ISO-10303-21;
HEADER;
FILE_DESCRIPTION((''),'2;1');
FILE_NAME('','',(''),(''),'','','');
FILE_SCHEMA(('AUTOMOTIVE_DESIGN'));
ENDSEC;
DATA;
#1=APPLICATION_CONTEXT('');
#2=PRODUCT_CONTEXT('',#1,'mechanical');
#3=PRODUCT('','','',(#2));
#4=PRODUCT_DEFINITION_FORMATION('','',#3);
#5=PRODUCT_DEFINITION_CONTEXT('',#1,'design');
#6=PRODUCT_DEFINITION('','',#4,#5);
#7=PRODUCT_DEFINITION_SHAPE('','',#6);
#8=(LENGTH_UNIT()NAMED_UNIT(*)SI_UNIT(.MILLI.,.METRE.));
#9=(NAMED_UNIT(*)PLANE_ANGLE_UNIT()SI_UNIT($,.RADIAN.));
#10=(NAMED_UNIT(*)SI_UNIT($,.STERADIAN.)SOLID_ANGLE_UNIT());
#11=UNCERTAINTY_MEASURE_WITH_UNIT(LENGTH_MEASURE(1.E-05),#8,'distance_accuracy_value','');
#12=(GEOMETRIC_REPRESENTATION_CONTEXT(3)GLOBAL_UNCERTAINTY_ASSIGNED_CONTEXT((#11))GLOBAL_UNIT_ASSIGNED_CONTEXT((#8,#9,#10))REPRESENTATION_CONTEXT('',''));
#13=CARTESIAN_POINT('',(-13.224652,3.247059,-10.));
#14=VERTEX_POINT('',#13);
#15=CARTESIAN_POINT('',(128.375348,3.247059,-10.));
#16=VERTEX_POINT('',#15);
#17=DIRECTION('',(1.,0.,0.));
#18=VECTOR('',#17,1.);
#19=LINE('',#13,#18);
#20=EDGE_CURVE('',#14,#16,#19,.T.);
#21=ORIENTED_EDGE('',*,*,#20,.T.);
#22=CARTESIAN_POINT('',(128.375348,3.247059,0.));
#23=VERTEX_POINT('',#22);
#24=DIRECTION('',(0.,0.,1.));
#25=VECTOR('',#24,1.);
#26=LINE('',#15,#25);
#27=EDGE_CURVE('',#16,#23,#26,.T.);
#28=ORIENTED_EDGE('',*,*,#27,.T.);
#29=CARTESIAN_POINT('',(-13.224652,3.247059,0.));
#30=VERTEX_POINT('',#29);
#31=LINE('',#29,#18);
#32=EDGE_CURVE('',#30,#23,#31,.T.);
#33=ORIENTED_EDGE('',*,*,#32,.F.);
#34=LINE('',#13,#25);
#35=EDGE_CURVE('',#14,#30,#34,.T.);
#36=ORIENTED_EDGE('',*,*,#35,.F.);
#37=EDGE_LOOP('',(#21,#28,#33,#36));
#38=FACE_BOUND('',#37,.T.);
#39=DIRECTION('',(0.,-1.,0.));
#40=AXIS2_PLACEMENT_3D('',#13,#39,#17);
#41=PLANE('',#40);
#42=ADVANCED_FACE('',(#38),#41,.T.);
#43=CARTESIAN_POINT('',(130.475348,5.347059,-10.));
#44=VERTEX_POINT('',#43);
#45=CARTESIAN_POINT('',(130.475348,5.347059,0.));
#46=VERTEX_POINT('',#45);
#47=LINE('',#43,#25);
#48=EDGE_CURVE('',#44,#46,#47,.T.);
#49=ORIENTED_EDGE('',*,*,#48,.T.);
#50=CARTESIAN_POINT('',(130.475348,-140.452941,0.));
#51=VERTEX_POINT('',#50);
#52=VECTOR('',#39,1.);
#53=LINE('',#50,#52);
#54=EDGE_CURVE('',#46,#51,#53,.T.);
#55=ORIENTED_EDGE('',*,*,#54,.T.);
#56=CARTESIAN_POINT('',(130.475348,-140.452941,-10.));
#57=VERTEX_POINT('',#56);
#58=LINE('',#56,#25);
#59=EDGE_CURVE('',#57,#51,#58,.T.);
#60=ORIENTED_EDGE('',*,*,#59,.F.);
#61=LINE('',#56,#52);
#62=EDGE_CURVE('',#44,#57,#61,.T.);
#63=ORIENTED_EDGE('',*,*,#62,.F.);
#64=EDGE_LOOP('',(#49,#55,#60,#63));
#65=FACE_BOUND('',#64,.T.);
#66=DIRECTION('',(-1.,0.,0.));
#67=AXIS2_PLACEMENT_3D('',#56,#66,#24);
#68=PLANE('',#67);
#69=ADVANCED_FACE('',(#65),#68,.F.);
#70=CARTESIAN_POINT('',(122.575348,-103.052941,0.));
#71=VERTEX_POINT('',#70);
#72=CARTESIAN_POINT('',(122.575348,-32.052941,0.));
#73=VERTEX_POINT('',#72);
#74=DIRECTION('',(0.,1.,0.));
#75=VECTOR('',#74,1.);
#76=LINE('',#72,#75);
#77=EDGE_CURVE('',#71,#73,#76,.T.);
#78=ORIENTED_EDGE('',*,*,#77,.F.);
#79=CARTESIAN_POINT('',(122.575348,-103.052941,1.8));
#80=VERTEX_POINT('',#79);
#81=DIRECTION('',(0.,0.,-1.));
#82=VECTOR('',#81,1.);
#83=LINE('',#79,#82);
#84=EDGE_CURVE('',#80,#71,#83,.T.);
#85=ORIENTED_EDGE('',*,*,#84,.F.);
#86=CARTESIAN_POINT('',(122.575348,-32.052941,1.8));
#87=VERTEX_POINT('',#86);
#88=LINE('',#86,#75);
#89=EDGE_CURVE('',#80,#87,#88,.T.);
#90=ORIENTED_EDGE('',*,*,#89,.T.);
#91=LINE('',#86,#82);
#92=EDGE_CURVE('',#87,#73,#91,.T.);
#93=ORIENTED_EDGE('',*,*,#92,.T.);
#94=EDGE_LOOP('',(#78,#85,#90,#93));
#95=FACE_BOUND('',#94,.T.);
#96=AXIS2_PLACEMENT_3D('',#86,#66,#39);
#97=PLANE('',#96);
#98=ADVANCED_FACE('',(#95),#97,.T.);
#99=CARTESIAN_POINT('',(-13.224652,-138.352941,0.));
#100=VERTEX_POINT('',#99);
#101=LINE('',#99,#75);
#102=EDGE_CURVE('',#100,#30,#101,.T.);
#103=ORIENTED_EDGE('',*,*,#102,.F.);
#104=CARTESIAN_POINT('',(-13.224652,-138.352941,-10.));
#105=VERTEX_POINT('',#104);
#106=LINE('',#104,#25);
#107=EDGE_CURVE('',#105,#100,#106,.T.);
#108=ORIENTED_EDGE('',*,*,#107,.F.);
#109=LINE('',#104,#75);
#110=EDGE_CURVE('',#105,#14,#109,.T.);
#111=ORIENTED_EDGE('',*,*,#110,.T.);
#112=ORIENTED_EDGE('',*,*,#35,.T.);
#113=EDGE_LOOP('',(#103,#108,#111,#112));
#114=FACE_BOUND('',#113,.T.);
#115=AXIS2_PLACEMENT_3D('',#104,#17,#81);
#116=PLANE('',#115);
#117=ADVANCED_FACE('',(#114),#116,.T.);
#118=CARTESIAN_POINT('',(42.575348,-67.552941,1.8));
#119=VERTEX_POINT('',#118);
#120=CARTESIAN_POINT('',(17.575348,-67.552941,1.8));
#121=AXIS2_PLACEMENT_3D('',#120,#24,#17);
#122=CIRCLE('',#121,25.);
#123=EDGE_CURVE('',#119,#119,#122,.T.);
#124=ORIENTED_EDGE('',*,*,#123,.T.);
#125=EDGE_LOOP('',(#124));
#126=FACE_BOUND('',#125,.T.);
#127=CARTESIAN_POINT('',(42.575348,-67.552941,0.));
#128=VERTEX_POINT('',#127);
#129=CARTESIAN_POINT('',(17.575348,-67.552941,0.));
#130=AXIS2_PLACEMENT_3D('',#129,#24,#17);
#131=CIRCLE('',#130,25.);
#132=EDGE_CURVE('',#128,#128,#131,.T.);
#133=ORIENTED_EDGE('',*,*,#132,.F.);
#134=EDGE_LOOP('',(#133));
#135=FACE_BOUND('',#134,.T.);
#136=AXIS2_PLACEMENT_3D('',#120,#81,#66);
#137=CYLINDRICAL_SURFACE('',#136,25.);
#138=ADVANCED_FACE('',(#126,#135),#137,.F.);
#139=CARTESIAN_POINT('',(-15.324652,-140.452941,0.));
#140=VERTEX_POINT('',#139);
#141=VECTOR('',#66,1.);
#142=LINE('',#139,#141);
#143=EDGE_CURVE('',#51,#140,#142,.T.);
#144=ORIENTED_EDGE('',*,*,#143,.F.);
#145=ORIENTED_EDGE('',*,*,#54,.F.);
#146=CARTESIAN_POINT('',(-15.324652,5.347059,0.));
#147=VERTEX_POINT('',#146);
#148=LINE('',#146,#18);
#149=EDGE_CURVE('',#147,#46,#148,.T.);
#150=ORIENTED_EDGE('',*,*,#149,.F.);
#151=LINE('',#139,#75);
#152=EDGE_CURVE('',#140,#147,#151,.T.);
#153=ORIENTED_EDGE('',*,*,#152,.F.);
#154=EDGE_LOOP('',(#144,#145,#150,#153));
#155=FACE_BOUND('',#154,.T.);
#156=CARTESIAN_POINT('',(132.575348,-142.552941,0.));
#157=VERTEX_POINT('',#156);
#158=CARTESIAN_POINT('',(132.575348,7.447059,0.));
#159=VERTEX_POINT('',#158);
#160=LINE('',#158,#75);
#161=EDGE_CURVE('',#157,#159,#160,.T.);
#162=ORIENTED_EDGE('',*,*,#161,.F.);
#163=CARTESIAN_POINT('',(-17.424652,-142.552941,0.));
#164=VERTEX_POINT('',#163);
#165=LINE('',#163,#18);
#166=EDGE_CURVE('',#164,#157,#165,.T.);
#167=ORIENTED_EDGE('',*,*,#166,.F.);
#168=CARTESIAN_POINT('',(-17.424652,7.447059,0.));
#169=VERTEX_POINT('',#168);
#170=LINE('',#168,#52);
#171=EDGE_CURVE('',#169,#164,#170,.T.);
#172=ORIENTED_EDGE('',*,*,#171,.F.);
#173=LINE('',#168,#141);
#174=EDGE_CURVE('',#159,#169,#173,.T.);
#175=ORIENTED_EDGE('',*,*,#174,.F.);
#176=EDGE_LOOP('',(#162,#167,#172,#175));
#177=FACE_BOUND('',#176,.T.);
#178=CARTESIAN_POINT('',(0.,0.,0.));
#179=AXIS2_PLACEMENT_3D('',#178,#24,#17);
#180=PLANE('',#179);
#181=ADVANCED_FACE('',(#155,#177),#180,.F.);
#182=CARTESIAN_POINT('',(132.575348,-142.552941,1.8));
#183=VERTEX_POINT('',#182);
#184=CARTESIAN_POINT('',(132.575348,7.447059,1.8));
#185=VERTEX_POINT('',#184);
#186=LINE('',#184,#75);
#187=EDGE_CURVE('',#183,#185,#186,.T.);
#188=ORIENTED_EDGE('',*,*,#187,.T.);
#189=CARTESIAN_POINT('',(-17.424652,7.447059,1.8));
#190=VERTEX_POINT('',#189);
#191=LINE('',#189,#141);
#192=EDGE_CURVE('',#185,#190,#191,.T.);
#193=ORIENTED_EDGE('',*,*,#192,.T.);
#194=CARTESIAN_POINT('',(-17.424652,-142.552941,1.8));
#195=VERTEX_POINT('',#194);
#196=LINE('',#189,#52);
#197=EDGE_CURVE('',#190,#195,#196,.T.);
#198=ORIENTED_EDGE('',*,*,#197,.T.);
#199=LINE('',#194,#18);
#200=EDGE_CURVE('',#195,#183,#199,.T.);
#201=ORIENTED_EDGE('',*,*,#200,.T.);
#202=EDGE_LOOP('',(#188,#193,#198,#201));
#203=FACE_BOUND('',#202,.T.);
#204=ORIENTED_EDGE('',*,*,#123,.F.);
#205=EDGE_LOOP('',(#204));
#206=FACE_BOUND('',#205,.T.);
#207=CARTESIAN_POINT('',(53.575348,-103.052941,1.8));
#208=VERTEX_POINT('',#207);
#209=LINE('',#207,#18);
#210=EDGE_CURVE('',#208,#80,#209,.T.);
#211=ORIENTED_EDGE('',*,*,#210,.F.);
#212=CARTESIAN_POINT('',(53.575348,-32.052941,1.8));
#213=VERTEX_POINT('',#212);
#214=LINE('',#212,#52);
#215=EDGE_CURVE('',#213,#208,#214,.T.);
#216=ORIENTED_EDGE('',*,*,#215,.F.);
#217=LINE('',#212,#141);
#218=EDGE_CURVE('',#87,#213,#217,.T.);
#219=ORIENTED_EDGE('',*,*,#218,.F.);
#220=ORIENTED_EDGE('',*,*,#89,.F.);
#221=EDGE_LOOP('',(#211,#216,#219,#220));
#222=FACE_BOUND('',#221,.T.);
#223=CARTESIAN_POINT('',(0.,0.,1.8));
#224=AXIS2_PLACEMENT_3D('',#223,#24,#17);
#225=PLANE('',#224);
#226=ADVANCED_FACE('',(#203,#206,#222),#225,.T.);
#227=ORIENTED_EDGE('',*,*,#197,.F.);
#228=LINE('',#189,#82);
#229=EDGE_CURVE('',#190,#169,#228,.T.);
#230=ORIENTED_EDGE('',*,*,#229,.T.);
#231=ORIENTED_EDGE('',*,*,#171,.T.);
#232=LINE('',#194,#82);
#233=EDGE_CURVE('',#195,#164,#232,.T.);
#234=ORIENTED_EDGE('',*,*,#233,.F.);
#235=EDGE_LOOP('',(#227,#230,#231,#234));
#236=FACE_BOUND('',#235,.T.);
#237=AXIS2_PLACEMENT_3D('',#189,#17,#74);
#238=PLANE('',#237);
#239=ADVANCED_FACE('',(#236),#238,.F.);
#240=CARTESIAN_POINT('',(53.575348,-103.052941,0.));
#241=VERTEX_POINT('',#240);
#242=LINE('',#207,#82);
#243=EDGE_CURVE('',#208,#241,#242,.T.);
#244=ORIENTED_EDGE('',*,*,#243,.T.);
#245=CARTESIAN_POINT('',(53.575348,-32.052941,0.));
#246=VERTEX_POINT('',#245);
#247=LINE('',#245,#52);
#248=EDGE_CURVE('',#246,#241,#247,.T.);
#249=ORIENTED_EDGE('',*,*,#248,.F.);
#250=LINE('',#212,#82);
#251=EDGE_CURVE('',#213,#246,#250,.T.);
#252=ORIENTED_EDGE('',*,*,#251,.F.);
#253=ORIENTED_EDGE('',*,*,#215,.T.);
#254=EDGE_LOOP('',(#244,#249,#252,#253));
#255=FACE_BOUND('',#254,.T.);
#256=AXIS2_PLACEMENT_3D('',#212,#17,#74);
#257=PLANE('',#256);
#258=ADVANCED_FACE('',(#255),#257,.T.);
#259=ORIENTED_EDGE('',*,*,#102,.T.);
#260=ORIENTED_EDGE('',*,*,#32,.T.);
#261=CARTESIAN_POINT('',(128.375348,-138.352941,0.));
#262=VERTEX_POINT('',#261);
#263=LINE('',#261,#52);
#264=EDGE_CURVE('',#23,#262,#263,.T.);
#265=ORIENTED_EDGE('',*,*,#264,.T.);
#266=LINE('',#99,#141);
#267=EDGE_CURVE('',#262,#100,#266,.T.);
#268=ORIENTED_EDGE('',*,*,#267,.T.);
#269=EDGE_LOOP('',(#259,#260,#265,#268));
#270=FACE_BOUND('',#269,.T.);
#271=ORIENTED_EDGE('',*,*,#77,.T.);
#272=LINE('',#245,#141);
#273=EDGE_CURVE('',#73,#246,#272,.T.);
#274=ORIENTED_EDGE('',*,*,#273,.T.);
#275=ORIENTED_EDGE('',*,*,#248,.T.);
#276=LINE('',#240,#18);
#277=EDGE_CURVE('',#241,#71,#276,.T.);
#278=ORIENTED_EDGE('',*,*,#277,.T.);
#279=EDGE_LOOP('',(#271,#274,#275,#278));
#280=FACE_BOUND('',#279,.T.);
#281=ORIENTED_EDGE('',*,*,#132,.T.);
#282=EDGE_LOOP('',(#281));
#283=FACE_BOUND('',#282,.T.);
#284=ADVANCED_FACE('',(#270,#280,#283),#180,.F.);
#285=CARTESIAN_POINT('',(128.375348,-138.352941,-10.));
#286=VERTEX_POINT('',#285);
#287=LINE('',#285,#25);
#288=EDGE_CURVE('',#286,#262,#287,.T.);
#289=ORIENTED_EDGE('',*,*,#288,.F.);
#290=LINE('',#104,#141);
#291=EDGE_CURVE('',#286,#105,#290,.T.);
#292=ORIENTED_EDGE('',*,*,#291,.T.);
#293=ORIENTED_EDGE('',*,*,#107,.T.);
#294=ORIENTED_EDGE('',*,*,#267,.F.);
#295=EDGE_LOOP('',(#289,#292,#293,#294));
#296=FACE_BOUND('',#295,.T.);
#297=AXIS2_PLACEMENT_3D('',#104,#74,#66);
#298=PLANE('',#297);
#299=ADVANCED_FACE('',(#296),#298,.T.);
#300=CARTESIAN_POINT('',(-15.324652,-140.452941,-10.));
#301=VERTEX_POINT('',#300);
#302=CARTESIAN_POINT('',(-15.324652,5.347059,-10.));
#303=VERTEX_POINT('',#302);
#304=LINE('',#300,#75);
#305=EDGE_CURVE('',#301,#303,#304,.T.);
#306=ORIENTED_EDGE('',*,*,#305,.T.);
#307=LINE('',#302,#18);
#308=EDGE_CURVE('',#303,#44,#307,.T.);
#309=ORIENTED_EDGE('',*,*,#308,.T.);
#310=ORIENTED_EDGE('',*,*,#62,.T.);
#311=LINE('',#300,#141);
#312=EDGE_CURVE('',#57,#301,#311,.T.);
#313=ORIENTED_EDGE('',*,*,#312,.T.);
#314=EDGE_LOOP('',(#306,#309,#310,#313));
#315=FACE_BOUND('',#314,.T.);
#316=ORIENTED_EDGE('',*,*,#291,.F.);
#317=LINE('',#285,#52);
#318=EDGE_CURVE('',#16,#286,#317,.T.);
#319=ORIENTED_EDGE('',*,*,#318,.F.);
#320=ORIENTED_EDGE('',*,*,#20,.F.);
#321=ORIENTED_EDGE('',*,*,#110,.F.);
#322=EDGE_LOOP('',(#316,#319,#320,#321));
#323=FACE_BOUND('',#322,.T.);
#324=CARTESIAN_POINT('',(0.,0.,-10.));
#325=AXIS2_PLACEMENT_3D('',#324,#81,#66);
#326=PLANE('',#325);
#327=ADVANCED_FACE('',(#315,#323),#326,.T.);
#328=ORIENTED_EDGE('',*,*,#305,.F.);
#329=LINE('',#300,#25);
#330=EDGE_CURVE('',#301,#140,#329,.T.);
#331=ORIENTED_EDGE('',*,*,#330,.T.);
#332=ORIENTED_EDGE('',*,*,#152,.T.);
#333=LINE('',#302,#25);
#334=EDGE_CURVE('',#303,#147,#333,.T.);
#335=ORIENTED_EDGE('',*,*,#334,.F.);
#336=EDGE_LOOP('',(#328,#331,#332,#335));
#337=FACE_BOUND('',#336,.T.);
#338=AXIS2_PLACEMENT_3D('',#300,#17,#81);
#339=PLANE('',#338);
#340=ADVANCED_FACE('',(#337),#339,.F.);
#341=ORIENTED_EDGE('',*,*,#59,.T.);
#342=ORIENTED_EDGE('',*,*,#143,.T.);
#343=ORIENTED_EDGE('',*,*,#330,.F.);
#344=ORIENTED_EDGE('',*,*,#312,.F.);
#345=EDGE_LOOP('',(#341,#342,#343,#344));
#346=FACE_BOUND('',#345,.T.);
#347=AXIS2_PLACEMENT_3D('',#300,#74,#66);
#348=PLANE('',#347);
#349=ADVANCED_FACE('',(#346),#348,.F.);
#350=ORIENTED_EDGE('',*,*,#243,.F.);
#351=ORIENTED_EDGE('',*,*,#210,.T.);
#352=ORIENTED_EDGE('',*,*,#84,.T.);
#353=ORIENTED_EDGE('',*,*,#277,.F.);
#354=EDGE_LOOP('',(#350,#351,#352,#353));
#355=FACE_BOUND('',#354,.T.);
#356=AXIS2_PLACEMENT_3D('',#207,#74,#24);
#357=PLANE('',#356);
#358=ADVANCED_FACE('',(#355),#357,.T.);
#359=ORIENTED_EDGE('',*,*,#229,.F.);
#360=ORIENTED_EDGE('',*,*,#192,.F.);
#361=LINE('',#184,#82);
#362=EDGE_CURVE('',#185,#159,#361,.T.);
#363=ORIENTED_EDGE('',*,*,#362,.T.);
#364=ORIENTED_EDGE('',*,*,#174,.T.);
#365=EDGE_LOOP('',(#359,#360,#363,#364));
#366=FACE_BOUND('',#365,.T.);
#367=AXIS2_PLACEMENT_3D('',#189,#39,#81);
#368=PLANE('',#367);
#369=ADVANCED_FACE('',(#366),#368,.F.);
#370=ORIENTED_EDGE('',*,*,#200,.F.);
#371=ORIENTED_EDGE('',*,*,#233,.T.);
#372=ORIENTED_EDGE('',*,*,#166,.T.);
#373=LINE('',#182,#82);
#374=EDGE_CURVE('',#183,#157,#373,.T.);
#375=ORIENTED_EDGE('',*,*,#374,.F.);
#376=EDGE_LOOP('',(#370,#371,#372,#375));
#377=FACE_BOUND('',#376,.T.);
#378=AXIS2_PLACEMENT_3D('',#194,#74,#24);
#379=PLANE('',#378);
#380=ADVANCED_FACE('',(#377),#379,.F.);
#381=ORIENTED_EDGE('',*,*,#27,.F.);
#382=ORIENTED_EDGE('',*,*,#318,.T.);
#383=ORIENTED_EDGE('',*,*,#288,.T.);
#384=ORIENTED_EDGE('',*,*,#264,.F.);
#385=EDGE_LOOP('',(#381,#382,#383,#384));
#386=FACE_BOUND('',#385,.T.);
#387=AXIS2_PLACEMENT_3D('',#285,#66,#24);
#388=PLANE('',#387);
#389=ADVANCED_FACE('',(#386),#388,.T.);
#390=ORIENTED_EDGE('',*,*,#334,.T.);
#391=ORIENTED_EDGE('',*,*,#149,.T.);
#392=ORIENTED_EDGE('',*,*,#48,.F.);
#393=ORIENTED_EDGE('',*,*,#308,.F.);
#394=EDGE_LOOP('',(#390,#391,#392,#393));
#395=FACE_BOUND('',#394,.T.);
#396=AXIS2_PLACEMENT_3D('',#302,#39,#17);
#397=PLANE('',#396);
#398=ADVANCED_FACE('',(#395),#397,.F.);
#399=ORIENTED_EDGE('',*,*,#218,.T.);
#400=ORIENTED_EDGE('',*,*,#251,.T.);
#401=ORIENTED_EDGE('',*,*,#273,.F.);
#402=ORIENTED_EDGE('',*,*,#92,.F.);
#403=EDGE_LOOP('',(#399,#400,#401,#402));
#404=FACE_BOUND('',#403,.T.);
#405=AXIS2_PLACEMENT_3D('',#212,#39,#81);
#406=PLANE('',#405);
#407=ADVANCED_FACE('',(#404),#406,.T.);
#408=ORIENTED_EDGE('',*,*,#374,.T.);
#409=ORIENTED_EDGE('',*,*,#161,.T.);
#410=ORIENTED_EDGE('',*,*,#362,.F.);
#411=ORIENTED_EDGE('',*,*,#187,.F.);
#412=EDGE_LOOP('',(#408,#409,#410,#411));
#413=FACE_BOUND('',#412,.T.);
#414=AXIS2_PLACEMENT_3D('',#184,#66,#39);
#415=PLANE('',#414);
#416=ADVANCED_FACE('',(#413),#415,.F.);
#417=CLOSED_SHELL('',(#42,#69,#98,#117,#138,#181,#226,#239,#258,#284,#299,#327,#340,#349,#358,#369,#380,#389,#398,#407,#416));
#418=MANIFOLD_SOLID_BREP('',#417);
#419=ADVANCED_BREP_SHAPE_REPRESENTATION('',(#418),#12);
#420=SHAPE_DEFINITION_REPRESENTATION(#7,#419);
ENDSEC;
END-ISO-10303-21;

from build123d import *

# Parameters (mm, degrees)
CROQUIS1_W              = 150
CROQUIS1_H              = 150
CROQUIS1_R              = 25
CROQUIS1_W_2            = 69
CROQUIS1_H_2            = 71
SALIENTE_EXTRUIR1_DEPTH = 1.8
CROQUIS2_W              = 145.8
CROQUIS2_H              = 145.8
CROQUIS2_W_2            = 141.6
CROQUIS2_H_2            = 141.6
SALIENTE_EXTRUIR2_DEPTH = 10


with BuildPart() as part:
    # Croquis1 → Saliente-Extruir1 (new body)
    with BuildSketch(Plane.XY):
        with Locations((57.57534771, -67.552941176)):
            Rectangle(CROQUIS1_W, CROQUIS1_H)
        with Locations((17.57534771, -67.552941176)):
            Circle(CROQUIS1_R, mode=Mode.SUBTRACT)
        with Locations((88.07534771, -67.552941176)):
            Rectangle(CROQUIS1_W_2, CROQUIS1_H_2, mode=Mode.SUBTRACT)
    extrude(amount=SALIENTE_EXTRUIR1_DEPTH)

    # Croquis2 → Saliente-Extruir2 (add)
    with BuildSketch(Plane(origin=(0, 0, 0), x_dir=(-1, 0, 0), z_dir=(0, 0, -1))):
        with Locations((-57.57534771, -67.552941176)):
            Rectangle(CROQUIS2_W, CROQUIS2_H)
        with Locations((-57.57534771, -67.552941176)):
            Rectangle(CROQUIS2_W_2, CROQUIS2_H_2, mode=Mode.SUBTRACT)
    extrude(amount=SALIENTE_EXTRUIR2_DEPTH)


solid = part.part
